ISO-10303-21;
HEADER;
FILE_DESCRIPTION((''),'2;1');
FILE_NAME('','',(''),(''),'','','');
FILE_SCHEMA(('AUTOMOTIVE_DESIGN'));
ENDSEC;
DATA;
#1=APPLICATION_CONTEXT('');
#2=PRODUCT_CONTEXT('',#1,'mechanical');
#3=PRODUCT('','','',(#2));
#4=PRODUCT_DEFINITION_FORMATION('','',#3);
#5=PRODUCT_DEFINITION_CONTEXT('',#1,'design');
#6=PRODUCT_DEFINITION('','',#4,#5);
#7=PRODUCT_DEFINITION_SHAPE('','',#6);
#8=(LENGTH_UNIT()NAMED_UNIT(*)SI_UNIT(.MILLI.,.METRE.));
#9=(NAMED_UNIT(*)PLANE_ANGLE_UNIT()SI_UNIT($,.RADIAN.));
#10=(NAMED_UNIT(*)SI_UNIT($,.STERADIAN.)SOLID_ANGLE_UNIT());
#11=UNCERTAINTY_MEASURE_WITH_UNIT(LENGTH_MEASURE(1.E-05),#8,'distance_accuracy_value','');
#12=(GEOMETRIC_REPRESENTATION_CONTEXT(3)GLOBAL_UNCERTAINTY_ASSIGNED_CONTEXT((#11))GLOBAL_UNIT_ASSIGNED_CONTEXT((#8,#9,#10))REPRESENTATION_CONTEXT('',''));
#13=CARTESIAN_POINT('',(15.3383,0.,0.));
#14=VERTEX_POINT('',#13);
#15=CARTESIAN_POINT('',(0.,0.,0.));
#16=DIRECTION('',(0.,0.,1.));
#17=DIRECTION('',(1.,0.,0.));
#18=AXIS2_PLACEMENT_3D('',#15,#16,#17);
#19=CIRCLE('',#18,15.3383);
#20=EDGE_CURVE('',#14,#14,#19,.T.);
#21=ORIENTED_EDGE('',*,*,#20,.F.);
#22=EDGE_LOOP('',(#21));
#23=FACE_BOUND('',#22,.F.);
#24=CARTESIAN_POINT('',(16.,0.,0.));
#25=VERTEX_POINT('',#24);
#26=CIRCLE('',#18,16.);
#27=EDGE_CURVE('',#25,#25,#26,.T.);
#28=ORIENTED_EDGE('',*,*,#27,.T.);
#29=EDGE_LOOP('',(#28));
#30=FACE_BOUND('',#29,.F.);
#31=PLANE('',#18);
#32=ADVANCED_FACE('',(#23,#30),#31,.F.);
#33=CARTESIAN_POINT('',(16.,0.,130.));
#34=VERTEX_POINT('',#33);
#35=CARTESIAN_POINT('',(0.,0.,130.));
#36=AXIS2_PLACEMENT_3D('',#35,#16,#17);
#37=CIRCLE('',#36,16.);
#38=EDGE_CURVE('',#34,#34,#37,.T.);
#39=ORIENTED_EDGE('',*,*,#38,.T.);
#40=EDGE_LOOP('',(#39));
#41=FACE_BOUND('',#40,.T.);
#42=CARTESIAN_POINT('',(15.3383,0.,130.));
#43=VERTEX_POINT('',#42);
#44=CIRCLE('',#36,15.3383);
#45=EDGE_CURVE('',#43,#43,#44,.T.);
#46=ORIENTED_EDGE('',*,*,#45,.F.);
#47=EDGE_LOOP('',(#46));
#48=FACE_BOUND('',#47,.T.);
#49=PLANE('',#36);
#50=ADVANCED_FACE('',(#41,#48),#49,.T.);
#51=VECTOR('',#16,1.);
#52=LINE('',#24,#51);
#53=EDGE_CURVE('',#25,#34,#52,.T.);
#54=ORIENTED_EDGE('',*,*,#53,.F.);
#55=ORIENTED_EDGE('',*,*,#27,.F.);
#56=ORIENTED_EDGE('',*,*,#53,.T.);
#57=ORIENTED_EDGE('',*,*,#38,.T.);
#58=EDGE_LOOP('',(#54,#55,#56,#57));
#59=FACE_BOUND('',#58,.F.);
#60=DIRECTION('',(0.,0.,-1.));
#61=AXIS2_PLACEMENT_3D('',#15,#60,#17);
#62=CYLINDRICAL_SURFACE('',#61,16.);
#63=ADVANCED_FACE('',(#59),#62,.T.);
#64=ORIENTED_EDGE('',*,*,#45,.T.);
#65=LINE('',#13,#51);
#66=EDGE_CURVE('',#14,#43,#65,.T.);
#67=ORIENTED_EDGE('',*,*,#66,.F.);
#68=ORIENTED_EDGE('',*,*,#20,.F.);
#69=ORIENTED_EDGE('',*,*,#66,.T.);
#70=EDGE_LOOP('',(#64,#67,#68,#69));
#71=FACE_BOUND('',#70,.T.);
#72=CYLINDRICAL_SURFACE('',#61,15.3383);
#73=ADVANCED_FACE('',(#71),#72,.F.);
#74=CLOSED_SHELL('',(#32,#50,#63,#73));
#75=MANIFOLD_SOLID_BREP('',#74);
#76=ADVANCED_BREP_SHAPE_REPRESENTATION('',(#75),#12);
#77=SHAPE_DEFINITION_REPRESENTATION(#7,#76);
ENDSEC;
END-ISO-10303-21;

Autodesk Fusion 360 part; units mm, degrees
sketch "Sketch1" plane through (0, 0, 0) normal (0, 0, 1) x (1, 0, 0)
  circle A0 centre (0, 0) radius 16
  circle A1 centre (0, 0) radius 15.3383
extrude "Extrude1" add sketch "Sketch1" along normal blind 130
